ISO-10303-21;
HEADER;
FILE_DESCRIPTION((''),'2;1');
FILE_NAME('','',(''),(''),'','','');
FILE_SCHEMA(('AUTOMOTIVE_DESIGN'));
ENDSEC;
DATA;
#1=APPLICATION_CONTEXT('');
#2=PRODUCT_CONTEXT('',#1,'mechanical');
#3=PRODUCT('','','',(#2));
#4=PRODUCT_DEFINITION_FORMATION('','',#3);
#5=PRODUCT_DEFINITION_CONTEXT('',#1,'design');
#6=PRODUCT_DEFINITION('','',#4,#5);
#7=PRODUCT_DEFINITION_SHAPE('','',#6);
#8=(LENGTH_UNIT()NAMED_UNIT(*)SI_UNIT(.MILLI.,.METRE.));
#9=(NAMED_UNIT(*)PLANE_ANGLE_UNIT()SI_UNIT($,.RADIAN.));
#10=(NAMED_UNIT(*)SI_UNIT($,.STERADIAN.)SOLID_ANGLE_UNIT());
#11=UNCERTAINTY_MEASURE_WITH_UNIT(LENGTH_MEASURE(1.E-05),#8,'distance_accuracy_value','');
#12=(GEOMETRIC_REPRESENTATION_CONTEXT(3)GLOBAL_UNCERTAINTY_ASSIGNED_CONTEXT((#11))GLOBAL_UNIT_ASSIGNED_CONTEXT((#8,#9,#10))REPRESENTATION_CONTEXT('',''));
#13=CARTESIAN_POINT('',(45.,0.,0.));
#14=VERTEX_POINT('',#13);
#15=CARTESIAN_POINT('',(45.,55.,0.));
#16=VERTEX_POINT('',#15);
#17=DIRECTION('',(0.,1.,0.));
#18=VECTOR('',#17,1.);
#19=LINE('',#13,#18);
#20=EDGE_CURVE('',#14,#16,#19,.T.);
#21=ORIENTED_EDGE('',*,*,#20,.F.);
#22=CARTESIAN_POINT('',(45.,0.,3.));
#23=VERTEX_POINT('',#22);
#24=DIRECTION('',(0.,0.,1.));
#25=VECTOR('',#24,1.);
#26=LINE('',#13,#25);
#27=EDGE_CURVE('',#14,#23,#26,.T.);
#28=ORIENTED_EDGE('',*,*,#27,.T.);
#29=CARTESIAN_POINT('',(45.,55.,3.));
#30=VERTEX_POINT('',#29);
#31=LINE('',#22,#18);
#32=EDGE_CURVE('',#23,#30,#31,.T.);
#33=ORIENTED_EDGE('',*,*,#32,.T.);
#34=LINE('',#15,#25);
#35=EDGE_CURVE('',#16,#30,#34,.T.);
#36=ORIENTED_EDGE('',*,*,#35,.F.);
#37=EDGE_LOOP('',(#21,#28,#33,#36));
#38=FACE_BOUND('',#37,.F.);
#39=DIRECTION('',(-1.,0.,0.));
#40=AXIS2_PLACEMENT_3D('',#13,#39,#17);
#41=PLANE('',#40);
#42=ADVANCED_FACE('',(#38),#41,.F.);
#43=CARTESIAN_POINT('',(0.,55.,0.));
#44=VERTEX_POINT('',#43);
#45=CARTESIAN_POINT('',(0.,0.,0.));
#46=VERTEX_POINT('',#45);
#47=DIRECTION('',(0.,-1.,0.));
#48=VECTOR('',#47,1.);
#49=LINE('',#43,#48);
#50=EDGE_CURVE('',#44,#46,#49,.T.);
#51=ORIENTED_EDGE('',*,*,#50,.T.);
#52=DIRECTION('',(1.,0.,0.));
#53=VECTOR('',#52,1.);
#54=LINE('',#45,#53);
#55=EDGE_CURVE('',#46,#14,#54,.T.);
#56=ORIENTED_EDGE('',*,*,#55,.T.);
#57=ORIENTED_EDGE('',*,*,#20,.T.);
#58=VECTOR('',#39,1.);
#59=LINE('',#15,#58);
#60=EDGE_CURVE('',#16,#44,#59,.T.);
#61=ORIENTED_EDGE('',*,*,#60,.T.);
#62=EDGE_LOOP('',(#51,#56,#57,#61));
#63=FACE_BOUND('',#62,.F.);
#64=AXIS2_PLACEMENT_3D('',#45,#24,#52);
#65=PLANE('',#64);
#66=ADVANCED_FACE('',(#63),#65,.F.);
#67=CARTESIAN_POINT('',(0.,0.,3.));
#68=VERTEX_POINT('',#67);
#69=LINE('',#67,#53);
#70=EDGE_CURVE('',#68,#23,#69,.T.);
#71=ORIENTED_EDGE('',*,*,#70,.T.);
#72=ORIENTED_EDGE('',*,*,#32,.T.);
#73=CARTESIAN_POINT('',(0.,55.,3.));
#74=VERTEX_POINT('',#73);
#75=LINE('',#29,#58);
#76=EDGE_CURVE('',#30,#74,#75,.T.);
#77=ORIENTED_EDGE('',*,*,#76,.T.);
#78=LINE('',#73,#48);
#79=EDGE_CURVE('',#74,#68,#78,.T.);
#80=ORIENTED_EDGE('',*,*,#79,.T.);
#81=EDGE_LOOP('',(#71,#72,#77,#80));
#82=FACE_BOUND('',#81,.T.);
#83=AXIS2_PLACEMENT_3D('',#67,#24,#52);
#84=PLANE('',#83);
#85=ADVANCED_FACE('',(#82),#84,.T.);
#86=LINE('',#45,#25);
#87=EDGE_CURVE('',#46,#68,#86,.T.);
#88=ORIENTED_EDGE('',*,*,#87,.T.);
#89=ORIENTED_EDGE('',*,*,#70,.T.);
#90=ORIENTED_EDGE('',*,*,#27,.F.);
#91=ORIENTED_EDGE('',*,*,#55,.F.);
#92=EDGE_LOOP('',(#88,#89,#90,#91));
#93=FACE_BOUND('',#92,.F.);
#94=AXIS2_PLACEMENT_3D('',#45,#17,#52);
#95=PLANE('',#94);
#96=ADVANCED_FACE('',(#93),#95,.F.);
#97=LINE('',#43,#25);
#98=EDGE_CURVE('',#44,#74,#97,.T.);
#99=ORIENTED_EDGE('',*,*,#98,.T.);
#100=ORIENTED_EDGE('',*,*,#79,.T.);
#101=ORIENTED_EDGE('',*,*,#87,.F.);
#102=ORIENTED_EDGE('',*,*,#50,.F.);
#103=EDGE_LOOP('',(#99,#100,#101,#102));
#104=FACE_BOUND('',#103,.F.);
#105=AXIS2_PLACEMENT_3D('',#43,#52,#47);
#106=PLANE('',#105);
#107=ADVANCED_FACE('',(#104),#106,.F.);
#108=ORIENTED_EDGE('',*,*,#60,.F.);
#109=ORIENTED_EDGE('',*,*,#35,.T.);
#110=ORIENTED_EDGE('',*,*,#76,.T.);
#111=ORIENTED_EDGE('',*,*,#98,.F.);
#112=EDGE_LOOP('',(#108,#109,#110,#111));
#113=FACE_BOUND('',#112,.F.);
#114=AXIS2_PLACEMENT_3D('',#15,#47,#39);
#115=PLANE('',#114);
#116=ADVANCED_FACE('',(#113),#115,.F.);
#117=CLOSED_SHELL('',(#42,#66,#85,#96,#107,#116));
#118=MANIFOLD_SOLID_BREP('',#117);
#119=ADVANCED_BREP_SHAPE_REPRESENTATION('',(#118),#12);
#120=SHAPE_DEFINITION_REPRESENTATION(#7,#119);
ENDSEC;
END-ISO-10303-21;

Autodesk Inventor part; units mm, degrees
ref_plane "YZ Plane" through (0, 0, 0) normal (1, 0, 0) x (0, 1, 0)
ref_plane "XZ Plane" through (0, 0, 0) normal (0, 1, 0) x (-1, 0, 0)
ref_plane "XY Plane" through (0, 0, 0) normal (0, 0, 1) x (1, 0, 0)
sketch "Sketch1" plane through (0, 0, 0) normal (0, 0, 1) x (1, 0, 0)
  line L0 (0, 0) -> (45, 0)
  line L1 (45, 0) -> (45, 55)
  line L2 (45, 55) -> (0, 55)
  line L3 (0, 55) -> (0, 0)
  dimension "d0" = 45
  dimension "d1" = 55
extrude "Extrusion1" add sketch "Sketch1" along normal blind 3
properties part number "imu_case_1"
